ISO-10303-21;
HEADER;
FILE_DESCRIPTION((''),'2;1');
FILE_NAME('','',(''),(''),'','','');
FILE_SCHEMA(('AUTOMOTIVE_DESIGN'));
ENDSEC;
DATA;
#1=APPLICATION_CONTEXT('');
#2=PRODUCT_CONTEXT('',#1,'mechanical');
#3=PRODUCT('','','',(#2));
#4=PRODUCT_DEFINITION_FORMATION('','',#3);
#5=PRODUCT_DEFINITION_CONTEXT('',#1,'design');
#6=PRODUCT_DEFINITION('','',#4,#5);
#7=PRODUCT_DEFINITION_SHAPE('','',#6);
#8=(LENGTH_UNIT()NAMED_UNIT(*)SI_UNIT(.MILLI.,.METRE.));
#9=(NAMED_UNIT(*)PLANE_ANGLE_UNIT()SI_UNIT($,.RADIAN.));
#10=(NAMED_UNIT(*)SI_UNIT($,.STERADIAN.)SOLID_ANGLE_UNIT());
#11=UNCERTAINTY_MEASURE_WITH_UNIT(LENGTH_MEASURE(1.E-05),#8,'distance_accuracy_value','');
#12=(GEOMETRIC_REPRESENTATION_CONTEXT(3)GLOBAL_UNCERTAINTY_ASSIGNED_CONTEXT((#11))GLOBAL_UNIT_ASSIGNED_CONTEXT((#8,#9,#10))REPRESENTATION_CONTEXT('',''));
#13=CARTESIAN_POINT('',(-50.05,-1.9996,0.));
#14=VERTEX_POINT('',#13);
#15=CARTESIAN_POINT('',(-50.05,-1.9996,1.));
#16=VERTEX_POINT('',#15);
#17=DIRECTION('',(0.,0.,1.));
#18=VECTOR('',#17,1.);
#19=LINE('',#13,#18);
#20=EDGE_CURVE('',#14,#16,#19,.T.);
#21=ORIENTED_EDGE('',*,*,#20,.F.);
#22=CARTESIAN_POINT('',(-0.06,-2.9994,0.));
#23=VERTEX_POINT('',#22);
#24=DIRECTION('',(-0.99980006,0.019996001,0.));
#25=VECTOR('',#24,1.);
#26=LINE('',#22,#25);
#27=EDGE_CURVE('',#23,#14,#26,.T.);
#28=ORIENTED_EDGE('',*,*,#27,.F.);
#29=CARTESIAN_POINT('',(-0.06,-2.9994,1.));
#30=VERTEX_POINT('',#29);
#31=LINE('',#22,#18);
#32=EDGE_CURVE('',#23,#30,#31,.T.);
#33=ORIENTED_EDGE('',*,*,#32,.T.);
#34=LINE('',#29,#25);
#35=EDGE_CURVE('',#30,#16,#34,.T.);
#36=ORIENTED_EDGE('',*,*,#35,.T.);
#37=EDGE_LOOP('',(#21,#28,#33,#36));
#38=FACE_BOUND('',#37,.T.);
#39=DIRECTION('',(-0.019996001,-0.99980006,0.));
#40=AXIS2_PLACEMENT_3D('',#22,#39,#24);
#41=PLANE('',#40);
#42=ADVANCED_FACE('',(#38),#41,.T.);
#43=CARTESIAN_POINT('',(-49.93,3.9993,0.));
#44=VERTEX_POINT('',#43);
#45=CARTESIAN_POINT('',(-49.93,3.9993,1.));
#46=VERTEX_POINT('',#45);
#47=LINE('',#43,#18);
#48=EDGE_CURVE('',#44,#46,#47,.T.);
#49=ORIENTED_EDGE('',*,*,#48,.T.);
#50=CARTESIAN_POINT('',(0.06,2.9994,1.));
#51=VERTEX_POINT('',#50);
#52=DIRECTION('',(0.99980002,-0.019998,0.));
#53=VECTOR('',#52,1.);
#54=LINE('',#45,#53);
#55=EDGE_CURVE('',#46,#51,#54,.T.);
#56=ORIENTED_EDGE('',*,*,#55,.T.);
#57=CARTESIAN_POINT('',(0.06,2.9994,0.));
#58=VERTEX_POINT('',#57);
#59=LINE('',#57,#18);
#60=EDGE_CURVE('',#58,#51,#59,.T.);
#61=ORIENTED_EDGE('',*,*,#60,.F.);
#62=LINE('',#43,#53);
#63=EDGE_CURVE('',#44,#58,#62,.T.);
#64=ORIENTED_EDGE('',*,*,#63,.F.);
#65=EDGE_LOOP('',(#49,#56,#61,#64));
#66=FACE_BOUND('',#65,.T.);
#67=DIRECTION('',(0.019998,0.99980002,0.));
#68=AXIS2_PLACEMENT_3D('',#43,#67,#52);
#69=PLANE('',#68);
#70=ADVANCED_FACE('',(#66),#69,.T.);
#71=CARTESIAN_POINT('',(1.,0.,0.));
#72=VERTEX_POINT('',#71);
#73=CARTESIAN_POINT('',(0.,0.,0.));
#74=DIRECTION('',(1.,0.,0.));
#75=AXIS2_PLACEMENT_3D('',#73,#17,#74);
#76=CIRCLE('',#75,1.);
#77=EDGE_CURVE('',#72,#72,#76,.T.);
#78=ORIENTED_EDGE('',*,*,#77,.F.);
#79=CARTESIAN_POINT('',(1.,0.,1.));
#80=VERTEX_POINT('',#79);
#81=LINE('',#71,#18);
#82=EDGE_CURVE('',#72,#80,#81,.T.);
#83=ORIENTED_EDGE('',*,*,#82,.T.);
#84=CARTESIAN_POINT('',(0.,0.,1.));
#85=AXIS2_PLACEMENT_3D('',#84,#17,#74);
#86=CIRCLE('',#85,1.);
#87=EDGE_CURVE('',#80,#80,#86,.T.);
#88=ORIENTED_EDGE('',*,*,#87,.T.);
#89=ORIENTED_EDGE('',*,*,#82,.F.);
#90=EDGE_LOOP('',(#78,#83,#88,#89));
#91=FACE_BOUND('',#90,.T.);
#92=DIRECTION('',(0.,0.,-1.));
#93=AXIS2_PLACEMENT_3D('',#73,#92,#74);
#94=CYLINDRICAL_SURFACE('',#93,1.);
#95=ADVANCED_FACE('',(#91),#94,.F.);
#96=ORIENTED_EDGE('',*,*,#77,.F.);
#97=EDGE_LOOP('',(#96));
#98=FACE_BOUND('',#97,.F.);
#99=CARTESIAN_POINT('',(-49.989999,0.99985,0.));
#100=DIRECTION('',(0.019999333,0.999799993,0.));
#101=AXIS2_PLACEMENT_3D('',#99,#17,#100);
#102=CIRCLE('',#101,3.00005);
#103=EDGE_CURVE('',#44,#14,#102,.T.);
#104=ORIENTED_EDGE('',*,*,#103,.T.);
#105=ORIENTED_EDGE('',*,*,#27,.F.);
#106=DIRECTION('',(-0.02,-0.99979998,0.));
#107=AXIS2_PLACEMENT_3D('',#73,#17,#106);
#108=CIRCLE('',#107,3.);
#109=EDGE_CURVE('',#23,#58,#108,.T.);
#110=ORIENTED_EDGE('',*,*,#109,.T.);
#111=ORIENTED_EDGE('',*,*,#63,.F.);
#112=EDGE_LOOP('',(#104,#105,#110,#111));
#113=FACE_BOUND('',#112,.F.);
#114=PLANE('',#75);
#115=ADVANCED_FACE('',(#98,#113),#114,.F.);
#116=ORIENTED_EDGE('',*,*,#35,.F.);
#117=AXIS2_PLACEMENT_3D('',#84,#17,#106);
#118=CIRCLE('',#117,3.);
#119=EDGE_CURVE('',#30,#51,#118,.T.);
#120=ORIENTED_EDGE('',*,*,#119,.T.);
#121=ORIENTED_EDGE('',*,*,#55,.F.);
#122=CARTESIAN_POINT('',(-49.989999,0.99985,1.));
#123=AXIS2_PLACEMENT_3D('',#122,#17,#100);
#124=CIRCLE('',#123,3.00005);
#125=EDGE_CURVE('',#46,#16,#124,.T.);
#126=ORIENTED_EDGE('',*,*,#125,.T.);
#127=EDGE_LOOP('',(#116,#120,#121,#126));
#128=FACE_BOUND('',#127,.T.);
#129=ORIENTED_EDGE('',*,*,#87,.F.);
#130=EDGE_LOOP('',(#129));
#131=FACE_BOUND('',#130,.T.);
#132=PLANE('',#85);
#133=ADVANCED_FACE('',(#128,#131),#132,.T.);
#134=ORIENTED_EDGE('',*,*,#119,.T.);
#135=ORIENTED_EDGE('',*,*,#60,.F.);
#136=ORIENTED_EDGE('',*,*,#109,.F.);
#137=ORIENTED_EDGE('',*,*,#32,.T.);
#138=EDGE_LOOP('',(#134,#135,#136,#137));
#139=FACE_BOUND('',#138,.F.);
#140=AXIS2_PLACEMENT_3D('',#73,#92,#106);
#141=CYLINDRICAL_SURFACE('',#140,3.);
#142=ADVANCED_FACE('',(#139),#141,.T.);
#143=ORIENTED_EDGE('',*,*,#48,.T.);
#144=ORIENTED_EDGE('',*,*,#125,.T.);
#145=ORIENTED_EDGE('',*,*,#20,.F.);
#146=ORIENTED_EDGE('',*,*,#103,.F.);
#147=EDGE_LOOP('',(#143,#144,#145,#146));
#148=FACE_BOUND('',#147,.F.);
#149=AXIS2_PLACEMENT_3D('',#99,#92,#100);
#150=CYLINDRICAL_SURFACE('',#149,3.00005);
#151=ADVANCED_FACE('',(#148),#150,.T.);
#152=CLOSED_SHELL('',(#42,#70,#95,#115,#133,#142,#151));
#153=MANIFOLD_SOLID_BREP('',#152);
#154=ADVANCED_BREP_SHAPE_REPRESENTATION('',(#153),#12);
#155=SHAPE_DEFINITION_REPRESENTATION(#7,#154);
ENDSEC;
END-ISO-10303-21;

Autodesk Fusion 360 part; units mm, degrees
sketch "Sketch1" plane through (0, 0, 0) normal (0, 0, 1) x (1, 0, 0)
  line L0 (-64.0556, -47.9598) -> (-64.1923, -47.777)
  line L1 (-64.0556, -47.9598) -> (-63.9189, -48.1426)
  arc A0 (-64.1923, -47.777) -> (-57.1589, -48.7607) centre (-60.188, -44.7827) ccw
  arc A1 (-62.8738, -41.1181) -> (-63.9189, -48.1426) centre (-59.9146, -45.1483) ccw
  line L2 (-49.93, 3.9993) -> (0.06, 2.9994)
  line L3 (-0.06, -2.9994) -> (-50.05, -1.9996)
  arc A2 (-49.93, 3.9993) -> (-50.05, -1.9996) centre (-49.99, 0.9998) ccw
  arc A3 (-0.06, -2.9994) -> (0.06, 2.9994) centre (0, 0) ccw
  circle A4 centre (0, 0) radius 1
  point P0 (-4, 4.6)
  dimension "d2" = 5
  dimension "d3" = 5
  dimension "d10" = 6
  dimension "d11" = 6
  dimension "d13" = 50
  dimension "d14" = 2
extrude "Extrude2" add sketch "Sketch1" along normal blind 1 contours L2 L3 A2 A3
